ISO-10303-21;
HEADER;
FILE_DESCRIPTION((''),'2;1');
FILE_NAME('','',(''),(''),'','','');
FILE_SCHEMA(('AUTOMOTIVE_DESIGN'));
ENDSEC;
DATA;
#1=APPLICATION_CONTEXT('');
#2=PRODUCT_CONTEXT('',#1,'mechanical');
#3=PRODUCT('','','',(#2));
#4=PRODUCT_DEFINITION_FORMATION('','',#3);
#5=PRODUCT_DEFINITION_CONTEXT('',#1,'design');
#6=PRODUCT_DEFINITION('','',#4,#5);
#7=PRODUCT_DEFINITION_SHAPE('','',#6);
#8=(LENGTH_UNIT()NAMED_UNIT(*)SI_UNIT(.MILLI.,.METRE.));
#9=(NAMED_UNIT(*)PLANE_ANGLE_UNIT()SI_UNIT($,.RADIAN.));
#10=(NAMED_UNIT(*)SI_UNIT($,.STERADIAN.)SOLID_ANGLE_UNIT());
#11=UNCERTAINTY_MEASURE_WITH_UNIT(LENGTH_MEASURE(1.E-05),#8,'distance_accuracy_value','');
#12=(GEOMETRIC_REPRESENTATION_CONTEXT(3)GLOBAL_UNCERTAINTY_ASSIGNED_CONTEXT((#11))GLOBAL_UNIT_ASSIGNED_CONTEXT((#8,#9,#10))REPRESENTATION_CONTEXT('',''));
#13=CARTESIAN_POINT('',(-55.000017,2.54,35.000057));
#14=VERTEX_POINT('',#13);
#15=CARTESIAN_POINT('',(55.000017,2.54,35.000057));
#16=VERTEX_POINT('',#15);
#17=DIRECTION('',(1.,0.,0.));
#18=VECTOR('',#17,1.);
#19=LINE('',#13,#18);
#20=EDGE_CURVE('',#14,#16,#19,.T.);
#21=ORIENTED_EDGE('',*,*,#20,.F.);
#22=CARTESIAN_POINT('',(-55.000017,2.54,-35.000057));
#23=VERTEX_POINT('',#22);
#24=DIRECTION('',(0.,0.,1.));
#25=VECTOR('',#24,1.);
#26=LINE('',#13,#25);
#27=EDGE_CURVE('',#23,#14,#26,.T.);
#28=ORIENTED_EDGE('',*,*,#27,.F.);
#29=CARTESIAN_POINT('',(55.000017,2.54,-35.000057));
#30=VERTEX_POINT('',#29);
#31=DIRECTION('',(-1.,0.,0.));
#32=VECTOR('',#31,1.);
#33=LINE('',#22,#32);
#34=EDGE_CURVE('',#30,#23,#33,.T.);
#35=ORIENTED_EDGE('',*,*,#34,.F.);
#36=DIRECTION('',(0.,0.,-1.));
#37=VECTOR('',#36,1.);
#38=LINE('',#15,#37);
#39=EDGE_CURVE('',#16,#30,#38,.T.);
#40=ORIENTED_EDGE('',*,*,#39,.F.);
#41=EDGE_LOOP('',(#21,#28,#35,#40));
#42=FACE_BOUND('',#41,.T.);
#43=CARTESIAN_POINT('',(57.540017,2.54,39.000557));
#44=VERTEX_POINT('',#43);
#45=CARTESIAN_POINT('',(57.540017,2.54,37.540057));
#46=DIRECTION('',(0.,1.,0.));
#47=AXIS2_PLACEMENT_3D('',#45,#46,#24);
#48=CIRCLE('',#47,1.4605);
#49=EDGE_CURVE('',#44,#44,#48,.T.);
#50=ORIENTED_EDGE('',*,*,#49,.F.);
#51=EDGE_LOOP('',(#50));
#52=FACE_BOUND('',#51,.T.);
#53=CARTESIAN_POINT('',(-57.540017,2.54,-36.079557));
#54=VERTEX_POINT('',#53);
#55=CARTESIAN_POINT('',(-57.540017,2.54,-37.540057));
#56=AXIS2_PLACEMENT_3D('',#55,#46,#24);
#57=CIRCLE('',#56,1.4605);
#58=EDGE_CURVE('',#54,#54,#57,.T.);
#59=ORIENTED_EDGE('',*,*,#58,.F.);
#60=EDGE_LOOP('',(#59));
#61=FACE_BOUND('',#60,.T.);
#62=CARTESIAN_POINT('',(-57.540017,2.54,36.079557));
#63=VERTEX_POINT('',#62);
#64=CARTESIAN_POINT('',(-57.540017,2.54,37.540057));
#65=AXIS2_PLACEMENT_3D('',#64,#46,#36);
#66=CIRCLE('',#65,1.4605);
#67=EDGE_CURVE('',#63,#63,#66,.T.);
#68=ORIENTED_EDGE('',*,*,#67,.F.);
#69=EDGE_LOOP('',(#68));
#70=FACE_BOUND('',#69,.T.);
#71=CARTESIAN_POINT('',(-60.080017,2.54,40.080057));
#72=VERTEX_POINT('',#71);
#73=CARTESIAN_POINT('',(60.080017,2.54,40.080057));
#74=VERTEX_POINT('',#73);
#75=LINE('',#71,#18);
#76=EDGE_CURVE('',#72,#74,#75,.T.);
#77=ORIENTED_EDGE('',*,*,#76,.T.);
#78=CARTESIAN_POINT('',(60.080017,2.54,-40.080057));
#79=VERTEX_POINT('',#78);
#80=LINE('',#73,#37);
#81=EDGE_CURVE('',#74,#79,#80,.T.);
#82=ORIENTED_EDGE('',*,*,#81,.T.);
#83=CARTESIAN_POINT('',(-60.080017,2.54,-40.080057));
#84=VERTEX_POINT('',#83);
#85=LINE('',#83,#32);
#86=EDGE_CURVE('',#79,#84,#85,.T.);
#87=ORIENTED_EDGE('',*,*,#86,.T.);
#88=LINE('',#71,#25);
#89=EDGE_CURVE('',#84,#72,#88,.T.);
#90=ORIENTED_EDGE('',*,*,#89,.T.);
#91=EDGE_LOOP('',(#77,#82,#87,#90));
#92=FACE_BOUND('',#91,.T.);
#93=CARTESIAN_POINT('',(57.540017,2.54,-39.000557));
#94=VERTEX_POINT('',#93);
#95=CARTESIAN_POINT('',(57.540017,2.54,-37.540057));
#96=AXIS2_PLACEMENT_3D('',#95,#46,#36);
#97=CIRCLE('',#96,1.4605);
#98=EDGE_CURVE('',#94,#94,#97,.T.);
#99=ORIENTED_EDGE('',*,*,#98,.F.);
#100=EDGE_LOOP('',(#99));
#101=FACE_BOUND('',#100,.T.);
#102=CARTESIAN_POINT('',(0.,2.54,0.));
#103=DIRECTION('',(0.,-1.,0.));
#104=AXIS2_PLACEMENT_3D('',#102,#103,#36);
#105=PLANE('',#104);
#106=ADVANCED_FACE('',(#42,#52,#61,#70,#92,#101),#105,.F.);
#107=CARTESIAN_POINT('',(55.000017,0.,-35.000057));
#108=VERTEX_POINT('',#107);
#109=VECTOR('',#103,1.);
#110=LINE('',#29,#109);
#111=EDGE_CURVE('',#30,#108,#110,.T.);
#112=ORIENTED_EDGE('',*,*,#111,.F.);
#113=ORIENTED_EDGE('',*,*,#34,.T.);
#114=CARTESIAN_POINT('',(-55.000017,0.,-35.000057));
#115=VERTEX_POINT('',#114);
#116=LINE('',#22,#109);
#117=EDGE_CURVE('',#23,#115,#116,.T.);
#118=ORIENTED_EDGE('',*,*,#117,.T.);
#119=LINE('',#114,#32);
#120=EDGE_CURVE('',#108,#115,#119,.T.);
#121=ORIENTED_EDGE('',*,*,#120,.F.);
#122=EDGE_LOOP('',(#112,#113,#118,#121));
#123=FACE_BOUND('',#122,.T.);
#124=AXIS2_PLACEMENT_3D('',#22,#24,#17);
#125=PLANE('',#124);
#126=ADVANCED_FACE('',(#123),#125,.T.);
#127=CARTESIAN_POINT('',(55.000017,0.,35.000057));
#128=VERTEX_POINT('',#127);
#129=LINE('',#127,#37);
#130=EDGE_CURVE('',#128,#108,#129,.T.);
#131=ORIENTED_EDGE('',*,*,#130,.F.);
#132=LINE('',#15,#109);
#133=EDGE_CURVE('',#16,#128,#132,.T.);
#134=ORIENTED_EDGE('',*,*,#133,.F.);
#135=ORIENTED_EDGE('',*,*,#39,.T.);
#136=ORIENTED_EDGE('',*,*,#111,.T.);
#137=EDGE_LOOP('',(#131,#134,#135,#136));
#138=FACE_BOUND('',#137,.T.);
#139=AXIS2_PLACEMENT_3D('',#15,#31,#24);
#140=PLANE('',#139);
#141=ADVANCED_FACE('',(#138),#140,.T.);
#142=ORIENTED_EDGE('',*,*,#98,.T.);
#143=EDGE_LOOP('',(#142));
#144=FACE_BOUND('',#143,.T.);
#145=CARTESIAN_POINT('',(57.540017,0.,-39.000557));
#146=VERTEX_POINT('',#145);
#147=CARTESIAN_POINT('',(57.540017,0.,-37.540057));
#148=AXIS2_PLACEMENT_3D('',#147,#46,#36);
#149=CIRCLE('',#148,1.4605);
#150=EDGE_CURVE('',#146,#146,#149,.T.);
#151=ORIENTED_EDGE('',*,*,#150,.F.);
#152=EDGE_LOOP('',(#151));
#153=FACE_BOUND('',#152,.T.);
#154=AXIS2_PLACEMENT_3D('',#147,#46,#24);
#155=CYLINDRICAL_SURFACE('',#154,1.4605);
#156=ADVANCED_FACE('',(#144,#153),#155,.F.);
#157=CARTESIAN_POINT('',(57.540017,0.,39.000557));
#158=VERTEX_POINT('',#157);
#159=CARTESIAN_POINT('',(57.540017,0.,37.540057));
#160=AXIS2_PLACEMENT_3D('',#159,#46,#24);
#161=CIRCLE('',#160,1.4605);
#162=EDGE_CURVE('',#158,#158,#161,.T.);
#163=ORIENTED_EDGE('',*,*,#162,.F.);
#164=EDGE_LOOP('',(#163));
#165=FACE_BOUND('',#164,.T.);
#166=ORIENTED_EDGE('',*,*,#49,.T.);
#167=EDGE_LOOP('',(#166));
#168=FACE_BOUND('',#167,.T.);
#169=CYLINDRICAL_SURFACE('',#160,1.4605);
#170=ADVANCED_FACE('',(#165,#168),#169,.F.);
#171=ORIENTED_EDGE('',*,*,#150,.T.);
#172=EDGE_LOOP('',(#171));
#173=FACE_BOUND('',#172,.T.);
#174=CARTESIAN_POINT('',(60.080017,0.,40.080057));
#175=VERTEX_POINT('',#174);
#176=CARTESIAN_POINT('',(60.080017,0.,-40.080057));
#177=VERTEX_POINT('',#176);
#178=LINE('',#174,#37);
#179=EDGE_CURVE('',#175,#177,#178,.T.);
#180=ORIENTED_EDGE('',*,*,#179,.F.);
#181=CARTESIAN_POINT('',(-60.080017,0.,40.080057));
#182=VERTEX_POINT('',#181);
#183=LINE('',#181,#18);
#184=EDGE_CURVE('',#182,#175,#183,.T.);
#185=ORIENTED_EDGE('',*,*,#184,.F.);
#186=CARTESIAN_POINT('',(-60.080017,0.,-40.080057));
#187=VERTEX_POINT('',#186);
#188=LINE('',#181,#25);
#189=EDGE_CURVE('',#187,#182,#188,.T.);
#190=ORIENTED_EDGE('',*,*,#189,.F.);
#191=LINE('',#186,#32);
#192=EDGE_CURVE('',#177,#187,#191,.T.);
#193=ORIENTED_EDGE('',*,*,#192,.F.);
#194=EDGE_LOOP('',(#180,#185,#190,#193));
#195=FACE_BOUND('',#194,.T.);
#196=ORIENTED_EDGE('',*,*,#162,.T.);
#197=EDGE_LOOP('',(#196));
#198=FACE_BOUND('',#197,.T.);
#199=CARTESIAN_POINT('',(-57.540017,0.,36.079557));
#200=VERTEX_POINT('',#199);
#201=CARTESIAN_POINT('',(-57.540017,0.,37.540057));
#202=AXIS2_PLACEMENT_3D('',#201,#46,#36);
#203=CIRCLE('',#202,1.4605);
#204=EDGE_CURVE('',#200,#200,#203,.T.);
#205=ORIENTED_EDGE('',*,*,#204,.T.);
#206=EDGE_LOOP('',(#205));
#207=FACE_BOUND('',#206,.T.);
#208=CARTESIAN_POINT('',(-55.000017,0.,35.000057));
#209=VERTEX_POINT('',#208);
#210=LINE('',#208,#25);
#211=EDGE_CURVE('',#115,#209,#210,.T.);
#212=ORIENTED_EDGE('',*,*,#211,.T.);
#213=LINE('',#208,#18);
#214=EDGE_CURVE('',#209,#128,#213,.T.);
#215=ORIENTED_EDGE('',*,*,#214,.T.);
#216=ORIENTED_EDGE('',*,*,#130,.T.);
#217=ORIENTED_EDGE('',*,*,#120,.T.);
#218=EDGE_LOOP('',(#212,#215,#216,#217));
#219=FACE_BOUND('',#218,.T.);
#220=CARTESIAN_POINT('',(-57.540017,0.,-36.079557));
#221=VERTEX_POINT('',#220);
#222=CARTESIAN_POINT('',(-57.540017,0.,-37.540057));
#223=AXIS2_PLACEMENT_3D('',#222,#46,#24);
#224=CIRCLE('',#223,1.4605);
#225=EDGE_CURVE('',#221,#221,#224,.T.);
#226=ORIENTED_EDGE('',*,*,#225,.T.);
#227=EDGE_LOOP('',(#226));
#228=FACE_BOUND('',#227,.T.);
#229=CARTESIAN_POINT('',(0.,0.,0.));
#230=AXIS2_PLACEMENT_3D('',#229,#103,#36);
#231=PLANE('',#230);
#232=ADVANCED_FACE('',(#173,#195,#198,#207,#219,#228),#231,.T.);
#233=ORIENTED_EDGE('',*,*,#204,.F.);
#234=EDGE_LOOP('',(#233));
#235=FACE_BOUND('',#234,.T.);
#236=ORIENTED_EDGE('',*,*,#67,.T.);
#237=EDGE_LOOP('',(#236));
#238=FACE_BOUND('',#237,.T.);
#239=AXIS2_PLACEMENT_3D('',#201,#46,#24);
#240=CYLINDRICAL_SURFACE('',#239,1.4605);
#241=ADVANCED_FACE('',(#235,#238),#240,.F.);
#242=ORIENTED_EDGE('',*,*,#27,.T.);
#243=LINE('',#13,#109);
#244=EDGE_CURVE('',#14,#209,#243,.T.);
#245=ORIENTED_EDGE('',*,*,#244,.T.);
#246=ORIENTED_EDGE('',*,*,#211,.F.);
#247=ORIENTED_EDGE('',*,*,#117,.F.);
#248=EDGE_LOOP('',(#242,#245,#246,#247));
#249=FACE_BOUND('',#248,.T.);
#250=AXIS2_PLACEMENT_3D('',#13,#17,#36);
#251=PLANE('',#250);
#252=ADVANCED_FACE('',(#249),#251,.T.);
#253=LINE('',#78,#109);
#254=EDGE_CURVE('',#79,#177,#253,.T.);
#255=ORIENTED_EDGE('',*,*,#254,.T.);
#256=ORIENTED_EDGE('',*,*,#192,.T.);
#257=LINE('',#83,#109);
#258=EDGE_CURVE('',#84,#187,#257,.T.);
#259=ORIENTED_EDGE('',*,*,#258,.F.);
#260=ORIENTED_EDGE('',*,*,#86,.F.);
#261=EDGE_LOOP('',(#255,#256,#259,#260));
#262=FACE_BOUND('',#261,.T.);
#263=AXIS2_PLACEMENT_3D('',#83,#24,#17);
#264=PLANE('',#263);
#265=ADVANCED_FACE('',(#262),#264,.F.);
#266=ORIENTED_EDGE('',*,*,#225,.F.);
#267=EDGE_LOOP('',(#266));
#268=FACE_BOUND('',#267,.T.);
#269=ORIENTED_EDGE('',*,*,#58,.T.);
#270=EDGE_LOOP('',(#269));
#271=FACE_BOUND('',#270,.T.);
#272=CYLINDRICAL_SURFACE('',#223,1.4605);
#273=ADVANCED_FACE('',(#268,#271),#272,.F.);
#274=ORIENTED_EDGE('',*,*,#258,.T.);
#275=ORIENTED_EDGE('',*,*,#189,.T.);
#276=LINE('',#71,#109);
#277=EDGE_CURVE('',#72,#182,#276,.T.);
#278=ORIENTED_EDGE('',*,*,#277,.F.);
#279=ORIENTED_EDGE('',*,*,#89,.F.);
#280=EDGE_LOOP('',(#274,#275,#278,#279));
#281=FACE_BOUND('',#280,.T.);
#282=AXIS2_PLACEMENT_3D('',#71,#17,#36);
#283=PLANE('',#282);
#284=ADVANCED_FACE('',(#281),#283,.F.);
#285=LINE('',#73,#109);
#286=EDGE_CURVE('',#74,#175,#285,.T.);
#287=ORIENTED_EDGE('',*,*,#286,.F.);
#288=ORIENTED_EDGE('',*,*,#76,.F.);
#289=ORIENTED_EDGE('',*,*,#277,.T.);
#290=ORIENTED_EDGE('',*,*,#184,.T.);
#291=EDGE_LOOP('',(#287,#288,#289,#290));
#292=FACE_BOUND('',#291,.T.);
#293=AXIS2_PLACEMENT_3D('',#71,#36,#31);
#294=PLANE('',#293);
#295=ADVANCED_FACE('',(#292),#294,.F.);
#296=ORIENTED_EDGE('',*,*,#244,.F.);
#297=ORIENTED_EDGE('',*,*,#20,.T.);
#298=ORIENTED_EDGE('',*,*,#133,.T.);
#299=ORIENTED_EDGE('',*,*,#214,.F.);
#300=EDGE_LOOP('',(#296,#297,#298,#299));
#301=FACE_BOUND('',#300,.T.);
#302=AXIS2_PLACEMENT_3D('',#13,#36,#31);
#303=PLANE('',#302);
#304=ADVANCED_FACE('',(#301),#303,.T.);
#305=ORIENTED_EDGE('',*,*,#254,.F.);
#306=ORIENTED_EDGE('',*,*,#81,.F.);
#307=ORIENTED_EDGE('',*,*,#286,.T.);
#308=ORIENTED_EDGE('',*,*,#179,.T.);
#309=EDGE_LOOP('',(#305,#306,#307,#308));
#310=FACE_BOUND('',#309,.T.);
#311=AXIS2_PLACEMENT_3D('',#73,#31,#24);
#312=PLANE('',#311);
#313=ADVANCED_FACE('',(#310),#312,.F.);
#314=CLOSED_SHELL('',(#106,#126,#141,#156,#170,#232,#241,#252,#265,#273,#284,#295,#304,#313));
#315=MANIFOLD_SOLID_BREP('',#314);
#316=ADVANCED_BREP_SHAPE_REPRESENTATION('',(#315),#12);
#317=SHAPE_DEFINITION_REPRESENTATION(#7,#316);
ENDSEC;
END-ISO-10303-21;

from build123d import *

# Parameters (mm, degrees)
SKETCH1_W                           = 120.160034
SKETCH1_H                           = 80.160114
SKETCH1_W_2                         = 110.000034
SKETCH1_H_2                         = 70.000114
BOSS_EXTRUDE1_DEPTH                 = 2.54
SKETCH2_R                           = 1.4605
MOUNTING_HOLES_4_40_CLEARANCE_DEPTH = 2.54


with BuildPart() as part:
    # Sketch1 → Boss-Extrude1 (new body)
    with BuildSketch(Plane(origin=(0, 0, 0), x_dir=(1, 0, 0), z_dir=(0, 1, 0))):
        Rectangle(SKETCH1_W, SKETCH1_H)
        Rectangle(SKETCH1_W_2, SKETCH1_H_2, mode=Mode.SUBTRACT)
    extrude(amount=BOSS_EXTRUDE1_DEPTH)

    # Sketch2 → Mounting Holes (4-40 Clearance) (cut)
    with BuildSketch(Plane(origin=(0, 2.54, 0), x_dir=(1, 0, 0), z_dir=(0, 1, 0))):
        with Locations((57.540017, -37.540057)):
            Circle(SKETCH2_R)
        with Locations((57.540017, 37.540057)):
            Circle(SKETCH2_R)
        with Locations((-57.540017, 37.540057)):
            Circle(SKETCH2_R)
        with Locations((-57.540017, -37.540057)):
            Circle(SKETCH2_R)
    extrude(amount=-MOUNTING_HOLES_4_40_CLEARANCE_DEPTH, mode=Mode.SUBTRACT)


solid = part.part
